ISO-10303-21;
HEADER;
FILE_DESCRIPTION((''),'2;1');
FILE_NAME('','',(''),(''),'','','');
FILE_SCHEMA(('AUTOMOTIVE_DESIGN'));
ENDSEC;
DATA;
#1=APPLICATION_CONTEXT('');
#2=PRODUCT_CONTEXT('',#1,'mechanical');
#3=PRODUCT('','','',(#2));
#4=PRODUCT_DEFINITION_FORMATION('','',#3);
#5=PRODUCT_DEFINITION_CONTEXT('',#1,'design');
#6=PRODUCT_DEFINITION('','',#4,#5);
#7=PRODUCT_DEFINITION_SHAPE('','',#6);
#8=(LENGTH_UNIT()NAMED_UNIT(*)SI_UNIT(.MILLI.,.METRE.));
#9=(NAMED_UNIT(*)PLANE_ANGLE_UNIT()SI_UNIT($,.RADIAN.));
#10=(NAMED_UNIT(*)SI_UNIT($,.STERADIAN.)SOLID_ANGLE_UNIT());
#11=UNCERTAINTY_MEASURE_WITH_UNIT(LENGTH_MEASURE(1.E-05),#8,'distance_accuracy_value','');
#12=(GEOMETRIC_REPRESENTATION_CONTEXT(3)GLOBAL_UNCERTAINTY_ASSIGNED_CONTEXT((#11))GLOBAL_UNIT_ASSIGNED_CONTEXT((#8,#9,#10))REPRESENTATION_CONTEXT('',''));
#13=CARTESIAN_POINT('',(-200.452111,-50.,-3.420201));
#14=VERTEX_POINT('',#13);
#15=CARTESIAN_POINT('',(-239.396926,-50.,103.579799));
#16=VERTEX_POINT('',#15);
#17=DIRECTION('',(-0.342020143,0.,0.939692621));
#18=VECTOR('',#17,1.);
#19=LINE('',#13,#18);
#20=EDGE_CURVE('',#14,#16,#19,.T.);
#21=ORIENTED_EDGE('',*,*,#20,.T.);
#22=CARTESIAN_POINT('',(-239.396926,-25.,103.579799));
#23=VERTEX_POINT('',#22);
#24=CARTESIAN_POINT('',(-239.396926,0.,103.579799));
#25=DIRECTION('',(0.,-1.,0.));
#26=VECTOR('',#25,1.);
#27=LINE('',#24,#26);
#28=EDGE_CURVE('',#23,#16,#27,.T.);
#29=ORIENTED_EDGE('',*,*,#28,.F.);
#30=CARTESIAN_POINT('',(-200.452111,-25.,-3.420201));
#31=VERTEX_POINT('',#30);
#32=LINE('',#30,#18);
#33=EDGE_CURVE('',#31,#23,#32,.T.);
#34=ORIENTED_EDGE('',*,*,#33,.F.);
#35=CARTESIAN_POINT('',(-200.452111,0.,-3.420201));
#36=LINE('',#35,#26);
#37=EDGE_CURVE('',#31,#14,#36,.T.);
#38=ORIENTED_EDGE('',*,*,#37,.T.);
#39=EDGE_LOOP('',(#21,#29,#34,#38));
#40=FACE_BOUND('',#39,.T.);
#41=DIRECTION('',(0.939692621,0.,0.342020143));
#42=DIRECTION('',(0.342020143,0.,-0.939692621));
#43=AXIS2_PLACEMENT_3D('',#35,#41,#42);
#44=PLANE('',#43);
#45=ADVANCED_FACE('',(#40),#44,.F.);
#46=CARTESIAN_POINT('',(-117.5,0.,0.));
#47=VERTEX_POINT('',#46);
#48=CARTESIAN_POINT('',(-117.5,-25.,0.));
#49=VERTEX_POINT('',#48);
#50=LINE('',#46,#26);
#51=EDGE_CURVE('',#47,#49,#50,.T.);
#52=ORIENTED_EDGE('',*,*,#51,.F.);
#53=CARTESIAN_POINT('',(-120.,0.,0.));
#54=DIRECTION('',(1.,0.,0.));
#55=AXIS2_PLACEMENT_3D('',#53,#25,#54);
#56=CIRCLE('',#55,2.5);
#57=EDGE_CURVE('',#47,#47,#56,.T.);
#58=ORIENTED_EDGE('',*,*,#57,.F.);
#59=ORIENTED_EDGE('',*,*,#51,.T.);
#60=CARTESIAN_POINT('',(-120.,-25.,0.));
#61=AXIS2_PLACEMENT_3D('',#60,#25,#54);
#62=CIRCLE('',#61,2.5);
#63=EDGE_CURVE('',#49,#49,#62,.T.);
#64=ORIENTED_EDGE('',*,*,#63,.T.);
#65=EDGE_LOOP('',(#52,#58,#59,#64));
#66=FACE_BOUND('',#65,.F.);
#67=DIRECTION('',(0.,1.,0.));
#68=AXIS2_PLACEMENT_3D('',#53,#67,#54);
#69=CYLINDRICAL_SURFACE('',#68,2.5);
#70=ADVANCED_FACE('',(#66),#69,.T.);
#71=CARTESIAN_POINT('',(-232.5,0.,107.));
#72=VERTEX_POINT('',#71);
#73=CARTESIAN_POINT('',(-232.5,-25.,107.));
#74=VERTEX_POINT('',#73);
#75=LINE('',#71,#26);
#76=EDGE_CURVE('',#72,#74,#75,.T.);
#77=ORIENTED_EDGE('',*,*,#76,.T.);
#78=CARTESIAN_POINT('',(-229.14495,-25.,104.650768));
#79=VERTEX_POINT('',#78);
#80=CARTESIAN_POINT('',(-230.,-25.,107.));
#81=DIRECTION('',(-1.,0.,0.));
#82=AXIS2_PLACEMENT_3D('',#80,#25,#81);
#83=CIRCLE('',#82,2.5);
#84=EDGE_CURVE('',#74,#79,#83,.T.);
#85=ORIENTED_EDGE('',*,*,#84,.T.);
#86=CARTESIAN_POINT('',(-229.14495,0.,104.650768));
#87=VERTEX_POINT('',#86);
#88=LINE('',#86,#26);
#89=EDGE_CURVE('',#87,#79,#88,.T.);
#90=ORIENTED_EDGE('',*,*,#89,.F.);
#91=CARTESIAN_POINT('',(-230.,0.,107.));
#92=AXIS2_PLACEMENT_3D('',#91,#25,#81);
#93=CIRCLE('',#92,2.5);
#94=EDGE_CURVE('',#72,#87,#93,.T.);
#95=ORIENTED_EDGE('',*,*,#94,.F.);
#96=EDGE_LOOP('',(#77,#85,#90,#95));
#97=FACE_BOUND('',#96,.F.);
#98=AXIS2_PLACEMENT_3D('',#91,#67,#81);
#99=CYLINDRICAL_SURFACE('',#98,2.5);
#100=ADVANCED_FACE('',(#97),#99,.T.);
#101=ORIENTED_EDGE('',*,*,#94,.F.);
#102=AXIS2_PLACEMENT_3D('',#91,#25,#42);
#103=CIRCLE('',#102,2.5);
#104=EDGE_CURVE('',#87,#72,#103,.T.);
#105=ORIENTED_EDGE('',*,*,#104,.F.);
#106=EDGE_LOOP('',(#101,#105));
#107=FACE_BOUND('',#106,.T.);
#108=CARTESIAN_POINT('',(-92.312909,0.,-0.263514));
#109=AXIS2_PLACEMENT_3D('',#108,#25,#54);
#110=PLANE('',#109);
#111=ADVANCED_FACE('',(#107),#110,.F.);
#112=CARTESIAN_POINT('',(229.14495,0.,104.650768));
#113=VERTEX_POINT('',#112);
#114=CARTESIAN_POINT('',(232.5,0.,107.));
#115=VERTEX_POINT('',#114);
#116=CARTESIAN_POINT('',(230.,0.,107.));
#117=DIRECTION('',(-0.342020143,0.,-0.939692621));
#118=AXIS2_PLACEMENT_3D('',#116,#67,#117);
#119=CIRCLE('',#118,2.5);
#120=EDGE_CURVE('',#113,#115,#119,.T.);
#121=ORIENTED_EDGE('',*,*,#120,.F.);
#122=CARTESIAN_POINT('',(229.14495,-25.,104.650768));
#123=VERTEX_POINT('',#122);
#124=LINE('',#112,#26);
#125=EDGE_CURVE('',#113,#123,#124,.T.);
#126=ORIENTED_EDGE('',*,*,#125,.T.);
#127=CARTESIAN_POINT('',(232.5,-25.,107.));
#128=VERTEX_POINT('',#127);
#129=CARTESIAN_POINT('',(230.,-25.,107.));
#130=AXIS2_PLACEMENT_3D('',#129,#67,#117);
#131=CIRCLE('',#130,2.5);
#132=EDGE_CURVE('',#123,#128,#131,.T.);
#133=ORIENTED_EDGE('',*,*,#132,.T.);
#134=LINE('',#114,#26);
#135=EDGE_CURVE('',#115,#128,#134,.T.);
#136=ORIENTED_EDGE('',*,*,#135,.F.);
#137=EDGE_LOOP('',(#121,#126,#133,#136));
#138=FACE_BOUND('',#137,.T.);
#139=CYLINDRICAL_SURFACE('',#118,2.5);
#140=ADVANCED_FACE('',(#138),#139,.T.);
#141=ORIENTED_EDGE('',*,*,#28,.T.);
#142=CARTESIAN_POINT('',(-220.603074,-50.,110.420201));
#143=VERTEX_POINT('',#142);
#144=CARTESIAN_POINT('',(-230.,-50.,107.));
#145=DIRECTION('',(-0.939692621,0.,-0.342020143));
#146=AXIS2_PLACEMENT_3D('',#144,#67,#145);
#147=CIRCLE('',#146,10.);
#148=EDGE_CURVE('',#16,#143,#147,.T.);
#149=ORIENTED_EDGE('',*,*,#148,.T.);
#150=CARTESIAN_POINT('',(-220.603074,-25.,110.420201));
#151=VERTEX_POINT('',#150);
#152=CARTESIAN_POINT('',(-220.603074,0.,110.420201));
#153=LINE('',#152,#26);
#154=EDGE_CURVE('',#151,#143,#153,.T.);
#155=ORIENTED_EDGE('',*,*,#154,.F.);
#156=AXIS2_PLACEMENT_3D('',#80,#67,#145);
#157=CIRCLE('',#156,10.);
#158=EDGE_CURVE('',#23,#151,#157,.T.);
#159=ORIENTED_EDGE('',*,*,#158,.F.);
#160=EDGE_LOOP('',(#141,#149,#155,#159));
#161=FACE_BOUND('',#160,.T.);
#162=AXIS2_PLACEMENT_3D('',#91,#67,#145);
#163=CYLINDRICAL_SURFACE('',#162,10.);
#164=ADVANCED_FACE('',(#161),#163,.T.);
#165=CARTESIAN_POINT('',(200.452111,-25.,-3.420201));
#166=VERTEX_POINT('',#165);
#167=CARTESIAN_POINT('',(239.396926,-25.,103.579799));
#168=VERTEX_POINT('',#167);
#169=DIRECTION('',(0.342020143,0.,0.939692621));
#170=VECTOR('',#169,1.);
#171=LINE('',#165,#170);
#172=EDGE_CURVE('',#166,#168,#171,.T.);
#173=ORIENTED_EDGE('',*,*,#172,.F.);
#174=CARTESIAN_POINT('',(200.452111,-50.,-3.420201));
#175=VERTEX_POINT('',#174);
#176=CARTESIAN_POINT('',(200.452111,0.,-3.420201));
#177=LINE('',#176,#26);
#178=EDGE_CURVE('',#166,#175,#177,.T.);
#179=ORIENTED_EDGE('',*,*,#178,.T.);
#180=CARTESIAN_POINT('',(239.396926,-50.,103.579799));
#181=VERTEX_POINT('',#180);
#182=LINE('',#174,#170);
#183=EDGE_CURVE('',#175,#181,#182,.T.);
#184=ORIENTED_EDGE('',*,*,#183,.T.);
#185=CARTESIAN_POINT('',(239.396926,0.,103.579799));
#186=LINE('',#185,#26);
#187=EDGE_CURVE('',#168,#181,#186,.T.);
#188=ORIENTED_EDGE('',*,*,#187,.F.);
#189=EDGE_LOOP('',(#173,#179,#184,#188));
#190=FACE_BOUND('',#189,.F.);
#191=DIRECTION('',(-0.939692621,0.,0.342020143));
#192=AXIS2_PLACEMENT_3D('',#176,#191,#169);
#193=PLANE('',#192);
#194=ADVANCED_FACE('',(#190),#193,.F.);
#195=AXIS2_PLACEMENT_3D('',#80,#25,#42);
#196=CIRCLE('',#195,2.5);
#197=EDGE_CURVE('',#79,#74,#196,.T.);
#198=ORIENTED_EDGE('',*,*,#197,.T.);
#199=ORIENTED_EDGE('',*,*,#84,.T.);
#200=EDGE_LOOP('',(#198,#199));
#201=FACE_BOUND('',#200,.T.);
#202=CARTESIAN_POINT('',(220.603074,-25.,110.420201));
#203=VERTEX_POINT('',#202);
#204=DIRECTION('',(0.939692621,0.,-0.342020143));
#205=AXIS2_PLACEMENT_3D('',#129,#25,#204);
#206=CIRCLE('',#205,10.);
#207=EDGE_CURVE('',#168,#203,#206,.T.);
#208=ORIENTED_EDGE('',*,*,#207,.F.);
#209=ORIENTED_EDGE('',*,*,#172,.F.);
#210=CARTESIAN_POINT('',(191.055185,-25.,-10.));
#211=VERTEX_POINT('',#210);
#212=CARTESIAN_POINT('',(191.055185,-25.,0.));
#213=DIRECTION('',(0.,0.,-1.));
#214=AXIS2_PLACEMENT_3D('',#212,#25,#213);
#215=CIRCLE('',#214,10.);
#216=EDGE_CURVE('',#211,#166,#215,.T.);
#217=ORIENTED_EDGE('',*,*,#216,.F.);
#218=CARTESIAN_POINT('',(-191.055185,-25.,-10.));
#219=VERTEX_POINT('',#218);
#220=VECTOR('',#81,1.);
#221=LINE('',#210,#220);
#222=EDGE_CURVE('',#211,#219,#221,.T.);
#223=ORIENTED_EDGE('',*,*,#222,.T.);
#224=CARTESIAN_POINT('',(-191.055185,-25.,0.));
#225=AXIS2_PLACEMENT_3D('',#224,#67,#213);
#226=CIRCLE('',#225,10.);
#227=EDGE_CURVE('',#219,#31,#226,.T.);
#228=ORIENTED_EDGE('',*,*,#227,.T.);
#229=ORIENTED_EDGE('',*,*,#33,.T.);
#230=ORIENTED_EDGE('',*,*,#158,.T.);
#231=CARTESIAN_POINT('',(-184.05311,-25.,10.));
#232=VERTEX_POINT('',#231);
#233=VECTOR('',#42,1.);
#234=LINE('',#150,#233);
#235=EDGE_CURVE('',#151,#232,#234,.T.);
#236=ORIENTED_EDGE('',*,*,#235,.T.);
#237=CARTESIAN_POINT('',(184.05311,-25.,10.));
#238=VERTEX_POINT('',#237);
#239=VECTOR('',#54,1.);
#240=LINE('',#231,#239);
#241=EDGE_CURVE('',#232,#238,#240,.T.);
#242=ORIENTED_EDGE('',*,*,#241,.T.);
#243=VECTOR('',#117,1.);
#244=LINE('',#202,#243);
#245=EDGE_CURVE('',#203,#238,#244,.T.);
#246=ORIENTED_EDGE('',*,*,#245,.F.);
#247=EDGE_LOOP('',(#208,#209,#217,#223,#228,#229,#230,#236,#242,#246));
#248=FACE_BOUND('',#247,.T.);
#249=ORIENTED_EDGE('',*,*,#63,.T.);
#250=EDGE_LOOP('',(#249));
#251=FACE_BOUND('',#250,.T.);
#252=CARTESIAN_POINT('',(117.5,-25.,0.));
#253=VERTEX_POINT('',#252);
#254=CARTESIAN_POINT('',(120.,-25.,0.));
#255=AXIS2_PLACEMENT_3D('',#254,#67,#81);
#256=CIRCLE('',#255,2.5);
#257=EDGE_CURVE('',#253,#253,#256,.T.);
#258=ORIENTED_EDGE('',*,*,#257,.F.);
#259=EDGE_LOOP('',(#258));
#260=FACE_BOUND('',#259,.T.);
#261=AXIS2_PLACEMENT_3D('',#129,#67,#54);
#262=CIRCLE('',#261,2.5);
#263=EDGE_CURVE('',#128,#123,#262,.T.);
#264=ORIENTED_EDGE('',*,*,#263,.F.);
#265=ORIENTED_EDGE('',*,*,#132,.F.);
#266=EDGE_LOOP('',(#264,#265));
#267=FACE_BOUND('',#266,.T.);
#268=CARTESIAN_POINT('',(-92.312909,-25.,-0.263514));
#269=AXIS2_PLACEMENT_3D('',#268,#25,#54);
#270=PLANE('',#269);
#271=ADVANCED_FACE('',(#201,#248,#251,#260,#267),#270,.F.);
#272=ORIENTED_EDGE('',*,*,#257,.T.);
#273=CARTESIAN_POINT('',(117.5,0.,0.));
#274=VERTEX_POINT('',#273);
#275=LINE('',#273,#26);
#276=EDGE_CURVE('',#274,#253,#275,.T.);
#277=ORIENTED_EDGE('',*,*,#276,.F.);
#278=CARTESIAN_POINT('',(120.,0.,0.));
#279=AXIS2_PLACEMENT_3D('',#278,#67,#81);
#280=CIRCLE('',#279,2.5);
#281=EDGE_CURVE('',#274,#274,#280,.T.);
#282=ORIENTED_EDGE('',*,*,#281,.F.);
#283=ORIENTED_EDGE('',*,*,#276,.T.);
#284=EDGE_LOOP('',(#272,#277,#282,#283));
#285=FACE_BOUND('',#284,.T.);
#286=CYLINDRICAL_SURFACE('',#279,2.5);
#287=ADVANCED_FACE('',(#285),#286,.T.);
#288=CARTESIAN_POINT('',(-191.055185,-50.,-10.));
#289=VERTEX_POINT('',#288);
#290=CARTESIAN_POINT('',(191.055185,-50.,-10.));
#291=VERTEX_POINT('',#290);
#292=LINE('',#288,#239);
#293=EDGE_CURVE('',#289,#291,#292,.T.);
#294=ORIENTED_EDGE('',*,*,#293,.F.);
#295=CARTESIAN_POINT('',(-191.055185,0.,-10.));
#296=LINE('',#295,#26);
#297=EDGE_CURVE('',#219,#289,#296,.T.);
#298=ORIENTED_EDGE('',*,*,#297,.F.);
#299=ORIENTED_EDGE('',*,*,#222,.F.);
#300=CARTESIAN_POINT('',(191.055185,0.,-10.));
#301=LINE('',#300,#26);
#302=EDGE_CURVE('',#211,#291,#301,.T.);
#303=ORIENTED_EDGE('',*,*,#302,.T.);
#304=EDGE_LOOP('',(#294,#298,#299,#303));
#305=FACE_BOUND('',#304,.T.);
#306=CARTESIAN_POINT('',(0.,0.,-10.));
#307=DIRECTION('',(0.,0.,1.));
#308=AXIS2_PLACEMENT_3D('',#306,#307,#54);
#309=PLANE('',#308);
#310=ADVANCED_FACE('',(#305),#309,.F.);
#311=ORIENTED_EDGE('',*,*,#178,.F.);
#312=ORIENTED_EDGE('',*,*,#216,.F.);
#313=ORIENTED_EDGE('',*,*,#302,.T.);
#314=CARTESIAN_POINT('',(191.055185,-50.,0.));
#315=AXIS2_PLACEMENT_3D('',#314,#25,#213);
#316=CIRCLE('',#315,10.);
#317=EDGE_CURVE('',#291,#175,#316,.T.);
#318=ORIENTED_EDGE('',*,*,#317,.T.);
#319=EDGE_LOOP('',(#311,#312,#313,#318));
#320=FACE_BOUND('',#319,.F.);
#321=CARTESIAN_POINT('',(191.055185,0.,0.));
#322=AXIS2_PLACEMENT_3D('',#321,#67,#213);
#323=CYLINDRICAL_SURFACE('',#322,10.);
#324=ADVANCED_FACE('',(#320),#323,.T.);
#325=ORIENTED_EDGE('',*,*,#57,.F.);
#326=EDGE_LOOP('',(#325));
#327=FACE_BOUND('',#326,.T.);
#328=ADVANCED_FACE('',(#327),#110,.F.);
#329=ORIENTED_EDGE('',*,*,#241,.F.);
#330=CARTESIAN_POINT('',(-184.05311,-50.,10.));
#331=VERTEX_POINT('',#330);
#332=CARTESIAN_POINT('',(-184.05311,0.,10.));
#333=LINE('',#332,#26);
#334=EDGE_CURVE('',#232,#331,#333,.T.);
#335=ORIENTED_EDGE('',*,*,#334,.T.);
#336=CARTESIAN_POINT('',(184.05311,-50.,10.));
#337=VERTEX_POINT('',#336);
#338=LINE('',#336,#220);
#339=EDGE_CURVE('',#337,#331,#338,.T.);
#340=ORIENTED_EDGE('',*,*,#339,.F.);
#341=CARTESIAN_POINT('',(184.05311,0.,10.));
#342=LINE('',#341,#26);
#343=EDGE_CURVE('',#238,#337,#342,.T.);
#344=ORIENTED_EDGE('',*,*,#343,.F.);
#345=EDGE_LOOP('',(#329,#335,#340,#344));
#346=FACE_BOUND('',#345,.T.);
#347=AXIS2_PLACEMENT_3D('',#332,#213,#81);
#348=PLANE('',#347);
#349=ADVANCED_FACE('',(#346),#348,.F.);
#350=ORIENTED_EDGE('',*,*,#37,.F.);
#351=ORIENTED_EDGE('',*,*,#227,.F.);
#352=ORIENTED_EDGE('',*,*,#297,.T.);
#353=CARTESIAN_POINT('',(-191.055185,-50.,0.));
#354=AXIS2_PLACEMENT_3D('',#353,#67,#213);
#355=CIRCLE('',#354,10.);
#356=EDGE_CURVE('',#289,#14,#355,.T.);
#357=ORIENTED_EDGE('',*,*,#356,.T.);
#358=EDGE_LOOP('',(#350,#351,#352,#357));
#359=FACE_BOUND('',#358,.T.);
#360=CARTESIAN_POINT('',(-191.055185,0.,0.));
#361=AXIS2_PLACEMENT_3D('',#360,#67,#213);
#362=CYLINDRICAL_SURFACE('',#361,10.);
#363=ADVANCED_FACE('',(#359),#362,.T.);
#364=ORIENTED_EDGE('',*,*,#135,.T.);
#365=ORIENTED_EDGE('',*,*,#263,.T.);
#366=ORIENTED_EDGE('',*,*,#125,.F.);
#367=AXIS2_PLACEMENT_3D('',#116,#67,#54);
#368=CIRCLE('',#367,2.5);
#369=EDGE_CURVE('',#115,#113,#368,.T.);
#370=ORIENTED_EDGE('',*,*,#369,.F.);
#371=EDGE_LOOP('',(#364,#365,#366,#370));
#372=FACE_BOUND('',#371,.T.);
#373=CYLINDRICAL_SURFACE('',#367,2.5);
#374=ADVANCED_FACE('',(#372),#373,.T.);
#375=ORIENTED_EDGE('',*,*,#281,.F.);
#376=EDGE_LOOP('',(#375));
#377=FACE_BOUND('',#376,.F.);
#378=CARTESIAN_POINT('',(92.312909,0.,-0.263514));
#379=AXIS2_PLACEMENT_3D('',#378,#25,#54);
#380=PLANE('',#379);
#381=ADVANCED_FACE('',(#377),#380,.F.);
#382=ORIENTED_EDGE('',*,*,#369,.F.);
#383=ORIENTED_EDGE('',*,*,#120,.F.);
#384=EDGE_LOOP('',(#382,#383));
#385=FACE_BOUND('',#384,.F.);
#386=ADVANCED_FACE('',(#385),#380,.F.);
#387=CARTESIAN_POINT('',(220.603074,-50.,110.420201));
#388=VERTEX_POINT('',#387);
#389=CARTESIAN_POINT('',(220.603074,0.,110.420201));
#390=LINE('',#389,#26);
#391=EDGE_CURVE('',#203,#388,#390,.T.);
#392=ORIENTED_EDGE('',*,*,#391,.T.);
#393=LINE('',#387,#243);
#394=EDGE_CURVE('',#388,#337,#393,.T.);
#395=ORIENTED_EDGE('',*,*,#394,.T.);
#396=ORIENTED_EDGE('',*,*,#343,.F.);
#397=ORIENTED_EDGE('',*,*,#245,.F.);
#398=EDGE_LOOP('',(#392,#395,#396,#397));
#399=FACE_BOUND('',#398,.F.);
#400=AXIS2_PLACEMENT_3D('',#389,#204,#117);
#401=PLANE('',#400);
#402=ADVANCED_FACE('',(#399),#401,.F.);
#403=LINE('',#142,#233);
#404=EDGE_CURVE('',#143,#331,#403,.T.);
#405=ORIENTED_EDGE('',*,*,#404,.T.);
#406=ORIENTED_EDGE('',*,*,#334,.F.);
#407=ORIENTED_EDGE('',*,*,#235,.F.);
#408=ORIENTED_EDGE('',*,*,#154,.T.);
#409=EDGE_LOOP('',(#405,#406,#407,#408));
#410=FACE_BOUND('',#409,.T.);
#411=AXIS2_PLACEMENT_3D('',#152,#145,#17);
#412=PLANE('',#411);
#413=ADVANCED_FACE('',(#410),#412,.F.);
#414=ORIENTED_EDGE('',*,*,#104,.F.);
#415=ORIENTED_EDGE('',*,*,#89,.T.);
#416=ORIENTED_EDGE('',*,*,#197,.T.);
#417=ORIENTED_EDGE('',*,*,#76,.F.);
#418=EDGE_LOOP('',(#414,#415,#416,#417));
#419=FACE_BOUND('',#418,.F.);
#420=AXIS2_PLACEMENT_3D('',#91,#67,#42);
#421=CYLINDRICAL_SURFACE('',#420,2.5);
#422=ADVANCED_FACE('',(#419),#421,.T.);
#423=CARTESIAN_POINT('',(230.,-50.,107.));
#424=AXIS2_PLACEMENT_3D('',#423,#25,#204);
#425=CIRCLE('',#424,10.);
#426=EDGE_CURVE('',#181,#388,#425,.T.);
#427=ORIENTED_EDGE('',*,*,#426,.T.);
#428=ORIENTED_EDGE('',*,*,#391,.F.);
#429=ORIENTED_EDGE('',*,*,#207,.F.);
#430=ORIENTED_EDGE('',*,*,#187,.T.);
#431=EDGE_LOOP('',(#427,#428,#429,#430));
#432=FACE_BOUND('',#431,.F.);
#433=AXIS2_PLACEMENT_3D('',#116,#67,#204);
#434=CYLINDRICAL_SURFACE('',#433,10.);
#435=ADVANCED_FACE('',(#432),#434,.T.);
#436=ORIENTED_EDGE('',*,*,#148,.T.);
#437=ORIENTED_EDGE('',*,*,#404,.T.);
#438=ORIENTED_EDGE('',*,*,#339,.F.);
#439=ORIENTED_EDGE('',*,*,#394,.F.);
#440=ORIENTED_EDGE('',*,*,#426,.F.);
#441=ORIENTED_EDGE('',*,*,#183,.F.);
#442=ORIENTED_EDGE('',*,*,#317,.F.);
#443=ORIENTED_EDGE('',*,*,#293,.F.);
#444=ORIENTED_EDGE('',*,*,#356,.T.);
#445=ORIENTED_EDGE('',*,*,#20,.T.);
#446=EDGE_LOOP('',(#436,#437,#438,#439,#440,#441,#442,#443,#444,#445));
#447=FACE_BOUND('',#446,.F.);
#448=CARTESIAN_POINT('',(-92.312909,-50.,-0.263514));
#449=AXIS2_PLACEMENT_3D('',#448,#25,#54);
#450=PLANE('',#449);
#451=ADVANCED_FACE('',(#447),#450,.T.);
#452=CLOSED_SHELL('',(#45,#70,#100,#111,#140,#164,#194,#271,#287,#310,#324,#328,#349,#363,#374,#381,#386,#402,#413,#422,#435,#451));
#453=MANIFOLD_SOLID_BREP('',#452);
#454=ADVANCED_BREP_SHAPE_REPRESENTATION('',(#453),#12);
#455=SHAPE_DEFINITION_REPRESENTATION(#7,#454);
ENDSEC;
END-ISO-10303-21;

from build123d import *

# Parameters (mm, degrees)
F1_DEPTH = 50
F2_DEPTH = 25


with BuildPart() as f1:
    # F0 (on Front) → F1 (new body)
    with BuildSketch(Plane.XZ):
        with BuildLine():
            ThreePointArc((191.0551849335, -10), (183.9841171217, -7.0710678119), (181.0551849335, 0))
            ThreePointArc((181.0551849335, 0), (181.2071074034, 1.7364817767), (181.6582587257, 3.4202014333))
            Line((181.6582587257, 3.4202014333), (184.0531095514, 10))
            Line((184.0531095514, 10), (0, 10))
            ThreePointArc((0, 10), (-10, 0), (0, -10))
            Line((0, -10), (191.0551849335, -10))
        make_face()
        with BuildLine():
            ThreePointArc((122.5, 0), (120, -2.5), (117.5, 0))
            ThreePointArc((117.5, 0), (120, 2.5), (122.5, 0))
        make_face(mode=Mode.SUBTRACT)
        with BuildLine():
            Line((191.0551849335, 0), (181.0551849335, 0))
            ThreePointArc((181.0551849335, 0), (183.9841171217, -7.0710678119), (191.0551849335, -10))
            ThreePointArc((191.0551849335, -10), (196.790949297, -8.1915204429), (200.4521111414, -3.4202014333))
            ThreePointArc((200.4521111414, -3.4202014333), (200.1182628039, 4.2261826174), (194.4753863668, 9.3969262079))
            Line((194.4753863668, 9.3969262079), (191.0551849335, 0))
        make_face()
        with BuildLine():
            ThreePointArc((191.0551849335, 10), (192.7916667102, 9.8480775301), (194.4753863668, 9.3969262079))
            ThreePointArc((194.4753863668, 9.3969262079), (200.1182628039, 4.2261826174), (200.4521111414, -3.4202014333))
            Line((200.4521111414, -3.4202014333), (239.3969262079, 103.5797985667))
            ThreePointArc((239.3969262079, 103.5797985667), (233.4202014333, 116.3969262079), (220.6030737921, 110.4202014333))
            Line((220.6030737921, 110.4202014333), (184.0531095514, 10))
            Line((184.0531095514, 10), (191.0551849335, 10))
        make_face()
        with BuildLine():
            ThreePointArc((232.5, 107), (231.4339410909, 104.9521198893), (229.1449496417, 104.650768448))
            ThreePointArc((229.1449496417, 104.650768448), (228.5660589091, 109.0478801107), (232.5, 107))
        make_face(mode=Mode.SUBTRACT)
        with BuildLine():
            ThreePointArc((181.6582587257, 3.4202014333), (181.2071074034, 1.7364817767), (181.0551849335, 0))
            Line((181.0551849335, 0), (191.0551849335, 0))
            Line((191.0551849335, 0), (194.4753863668, 9.3969262079))
            ThreePointArc((194.4753863668, 9.3969262079), (192.7916667102, 9.8480775301), (191.0551849335, 10))
            Line((191.0551849335, 10), (184.0531095514, 10))
            Line((184.0531095514, 10), (181.6582587257, 3.4202014333))
        make_face()
        with BuildLine():
            ThreePointArc((232.5, 107), (228.5660589091, 109.0478801107), (229.1449496417, 104.650768448))
            ThreePointArc((229.1449496417, 104.650768448), (231.4339410909, 104.9521198893), (232.5, 107))
        make_face()
        with BuildLine():
            Line((122.5, 0), (117.5, 0))
            ThreePointArc((117.5, 0), (120, -2.5), (122.5, 0))
        make_face()
        with BuildLine():
            ThreePointArc((122.5, 0), (120, 2.5), (117.5, 0))
            Line((117.5, 0), (122.5, 0))
        make_face()
    extrude(amount=F1_DEPTH)

    # F0 (on Front) → F2 (cut)
    with BuildSketch(Plane.XZ):
        with BuildLine():
            ThreePointArc((191.0551849335, -10), (183.9841171217, -7.0710678119), (181.0551849335, 0))
            ThreePointArc((181.0551849335, 0), (181.2071074034, 1.7364817767), (181.6582587257, 3.4202014333))
            Line((181.6582587257, 3.4202014333), (184.0531095514, 10))
            Line((184.0531095514, 10), (0, 10))
            ThreePointArc((0, 10), (-10, 0), (0, -10))
            Line((0, -10), (191.0551849335, -10))
        make_face()
        with BuildLine():
            ThreePointArc((122.5, 0), (120, -2.5), (117.5, 0))
            ThreePointArc((117.5, 0), (120, 2.5), (122.5, 0))
        make_face(mode=Mode.SUBTRACT)
        with BuildLine():
            ThreePointArc((181.6582587257, 3.4202014333), (181.2071074034, 1.7364817767), (181.0551849335, 0))
            Line((181.0551849335, 0), (191.0551849335, 0))
            Line((191.0551849335, 0), (194.4753863668, 9.3969262079))
            ThreePointArc((194.4753863668, 9.3969262079), (192.7916667102, 9.8480775301), (191.0551849335, 10))
            Line((191.0551849335, 10), (184.0531095514, 10))
            Line((184.0531095514, 10), (181.6582587257, 3.4202014333))
        make_face()
        with BuildLine():
            Line((191.0551849335, 0), (181.0551849335, 0))
            ThreePointArc((181.0551849335, 0), (183.9841171217, -7.0710678119), (191.0551849335, -10))
            ThreePointArc((191.0551849335, -10), (196.790949297, -8.1915204429), (200.4521111414, -3.4202014333))
            ThreePointArc((200.4521111414, -3.4202014333), (200.1182628039, 4.2261826174), (194.4753863668, 9.3969262079))
            Line((194.4753863668, 9.3969262079), (191.0551849335, 0))
        make_face()
        with BuildLine():
            ThreePointArc((191.0551849335, 10), (192.7916667102, 9.8480775301), (194.4753863668, 9.3969262079))
            ThreePointArc((194.4753863668, 9.3969262079), (200.1182628039, 4.2261826174), (200.4521111414, -3.4202014333))
            Line((200.4521111414, -3.4202014333), (239.3969262079, 103.5797985667))
            ThreePointArc((239.3969262079, 103.5797985667), (233.4202014333, 116.3969262079), (220.6030737921, 110.4202014333))
            Line((220.6030737921, 110.4202014333), (184.0531095514, 10))
            Line((184.0531095514, 10), (191.0551849335, 10))
        make_face()
        with BuildLine():
            ThreePointArc((232.5, 107), (231.4339410909, 104.9521198893), (229.1449496417, 104.650768448))
            ThreePointArc((229.1449496417, 104.650768448), (228.5660589091, 109.0478801107), (232.5, 107))
        make_face(mode=Mode.SUBTRACT)
    extrude(amount=F2_DEPTH, mode=Mode.SUBTRACT)

    # F3: F1 across plane


with BuildPart() as f1_1:
    add(f1.part)
    add(f1.part.mirror(Plane.YZ))


with BuildPart() as f4_1:
    # F4: copy of F1
    add(f1_1.part)


solid = f1_1.part
